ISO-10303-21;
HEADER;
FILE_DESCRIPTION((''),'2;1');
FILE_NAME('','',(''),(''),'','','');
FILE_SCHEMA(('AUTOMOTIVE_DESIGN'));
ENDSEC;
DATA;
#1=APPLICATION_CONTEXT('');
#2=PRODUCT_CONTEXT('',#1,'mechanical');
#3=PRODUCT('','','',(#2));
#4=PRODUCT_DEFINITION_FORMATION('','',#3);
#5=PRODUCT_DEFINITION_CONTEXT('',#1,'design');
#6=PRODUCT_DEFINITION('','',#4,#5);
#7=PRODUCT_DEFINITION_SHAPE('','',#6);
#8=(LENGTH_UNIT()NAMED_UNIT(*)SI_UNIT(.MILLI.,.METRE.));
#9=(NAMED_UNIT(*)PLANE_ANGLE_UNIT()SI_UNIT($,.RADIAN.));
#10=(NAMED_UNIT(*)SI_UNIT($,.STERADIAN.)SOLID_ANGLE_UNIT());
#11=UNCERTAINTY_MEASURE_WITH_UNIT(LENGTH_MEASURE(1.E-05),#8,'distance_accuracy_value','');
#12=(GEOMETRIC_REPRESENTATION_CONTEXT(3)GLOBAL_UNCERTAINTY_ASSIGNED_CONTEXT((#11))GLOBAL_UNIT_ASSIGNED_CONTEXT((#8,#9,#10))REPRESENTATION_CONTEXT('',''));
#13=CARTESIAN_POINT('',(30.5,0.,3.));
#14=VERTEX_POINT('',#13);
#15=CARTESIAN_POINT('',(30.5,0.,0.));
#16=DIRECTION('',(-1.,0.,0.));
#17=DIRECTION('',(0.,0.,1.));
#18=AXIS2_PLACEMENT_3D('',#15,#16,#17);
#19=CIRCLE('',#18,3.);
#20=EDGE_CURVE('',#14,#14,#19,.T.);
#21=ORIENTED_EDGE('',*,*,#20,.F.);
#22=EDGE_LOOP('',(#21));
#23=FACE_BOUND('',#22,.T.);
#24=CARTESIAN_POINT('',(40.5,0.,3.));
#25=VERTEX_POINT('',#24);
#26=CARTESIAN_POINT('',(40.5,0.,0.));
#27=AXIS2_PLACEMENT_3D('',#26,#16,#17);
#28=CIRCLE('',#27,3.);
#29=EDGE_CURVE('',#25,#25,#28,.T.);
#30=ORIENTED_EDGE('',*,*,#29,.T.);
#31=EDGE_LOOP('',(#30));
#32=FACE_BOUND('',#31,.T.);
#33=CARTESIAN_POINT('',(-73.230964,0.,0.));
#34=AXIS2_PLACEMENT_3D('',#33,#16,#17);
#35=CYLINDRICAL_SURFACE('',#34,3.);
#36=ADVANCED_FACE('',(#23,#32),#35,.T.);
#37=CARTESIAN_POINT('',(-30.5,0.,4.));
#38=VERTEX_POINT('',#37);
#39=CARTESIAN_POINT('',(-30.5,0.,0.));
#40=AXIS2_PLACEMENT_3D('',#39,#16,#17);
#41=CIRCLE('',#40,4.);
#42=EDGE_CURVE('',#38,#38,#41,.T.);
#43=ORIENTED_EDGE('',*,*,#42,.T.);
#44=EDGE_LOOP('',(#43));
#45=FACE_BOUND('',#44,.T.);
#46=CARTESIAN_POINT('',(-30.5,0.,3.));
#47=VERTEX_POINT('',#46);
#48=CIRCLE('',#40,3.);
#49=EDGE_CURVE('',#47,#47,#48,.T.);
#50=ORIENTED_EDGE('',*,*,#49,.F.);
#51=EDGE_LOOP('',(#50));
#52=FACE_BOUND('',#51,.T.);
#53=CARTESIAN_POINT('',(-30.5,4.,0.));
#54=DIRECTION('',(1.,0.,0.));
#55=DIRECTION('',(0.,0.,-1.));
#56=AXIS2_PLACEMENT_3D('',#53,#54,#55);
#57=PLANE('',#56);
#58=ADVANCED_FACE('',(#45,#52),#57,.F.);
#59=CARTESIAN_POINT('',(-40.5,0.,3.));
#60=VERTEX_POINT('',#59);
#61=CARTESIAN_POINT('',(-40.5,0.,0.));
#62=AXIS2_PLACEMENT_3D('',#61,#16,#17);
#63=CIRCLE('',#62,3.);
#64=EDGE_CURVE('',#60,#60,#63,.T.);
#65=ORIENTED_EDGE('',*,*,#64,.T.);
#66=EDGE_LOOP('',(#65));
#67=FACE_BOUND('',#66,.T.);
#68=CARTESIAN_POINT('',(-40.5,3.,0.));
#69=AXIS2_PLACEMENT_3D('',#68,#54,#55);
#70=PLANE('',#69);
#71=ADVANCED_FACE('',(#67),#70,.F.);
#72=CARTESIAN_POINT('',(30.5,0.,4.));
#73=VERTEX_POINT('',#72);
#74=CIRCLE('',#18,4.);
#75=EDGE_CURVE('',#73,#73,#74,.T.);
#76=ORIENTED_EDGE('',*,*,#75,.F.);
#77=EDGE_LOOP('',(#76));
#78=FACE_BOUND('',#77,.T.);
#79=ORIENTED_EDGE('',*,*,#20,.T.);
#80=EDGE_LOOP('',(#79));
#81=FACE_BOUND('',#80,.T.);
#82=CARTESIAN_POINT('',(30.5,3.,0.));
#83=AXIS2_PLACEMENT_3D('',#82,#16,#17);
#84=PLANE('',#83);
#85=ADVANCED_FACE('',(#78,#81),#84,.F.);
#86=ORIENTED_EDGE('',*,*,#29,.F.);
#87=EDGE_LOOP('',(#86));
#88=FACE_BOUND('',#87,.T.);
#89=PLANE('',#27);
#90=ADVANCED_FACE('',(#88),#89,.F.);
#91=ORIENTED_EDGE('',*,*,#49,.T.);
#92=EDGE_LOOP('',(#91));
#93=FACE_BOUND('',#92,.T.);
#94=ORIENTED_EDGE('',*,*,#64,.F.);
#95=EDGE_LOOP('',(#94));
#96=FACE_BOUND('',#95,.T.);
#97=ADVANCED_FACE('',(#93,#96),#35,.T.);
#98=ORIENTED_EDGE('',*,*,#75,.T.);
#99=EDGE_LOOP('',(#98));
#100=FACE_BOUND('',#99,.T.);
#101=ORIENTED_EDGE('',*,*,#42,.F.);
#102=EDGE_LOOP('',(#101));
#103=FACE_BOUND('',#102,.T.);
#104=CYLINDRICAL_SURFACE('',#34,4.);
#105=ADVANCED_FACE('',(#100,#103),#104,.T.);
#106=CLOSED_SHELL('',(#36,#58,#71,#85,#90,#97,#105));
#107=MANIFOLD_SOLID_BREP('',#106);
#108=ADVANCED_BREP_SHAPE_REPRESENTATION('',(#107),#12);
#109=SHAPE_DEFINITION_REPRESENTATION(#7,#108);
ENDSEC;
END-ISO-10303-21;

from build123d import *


with BuildPart() as part:
    # 草图1 → 旋转1 (revolve)
    with BuildSketch(Plane.XY):
        Polygon((-40.5, 0), (40.5, 0), (40.5, 3), (30.5, 3), (30.5, 4), (-30.5, 4), (-30.5, 3), (-40.5, 3), align=None)
    revolve(axis=Axis((-73.230964467, 0, 0), (1, 0, 0)))


solid = part.part
